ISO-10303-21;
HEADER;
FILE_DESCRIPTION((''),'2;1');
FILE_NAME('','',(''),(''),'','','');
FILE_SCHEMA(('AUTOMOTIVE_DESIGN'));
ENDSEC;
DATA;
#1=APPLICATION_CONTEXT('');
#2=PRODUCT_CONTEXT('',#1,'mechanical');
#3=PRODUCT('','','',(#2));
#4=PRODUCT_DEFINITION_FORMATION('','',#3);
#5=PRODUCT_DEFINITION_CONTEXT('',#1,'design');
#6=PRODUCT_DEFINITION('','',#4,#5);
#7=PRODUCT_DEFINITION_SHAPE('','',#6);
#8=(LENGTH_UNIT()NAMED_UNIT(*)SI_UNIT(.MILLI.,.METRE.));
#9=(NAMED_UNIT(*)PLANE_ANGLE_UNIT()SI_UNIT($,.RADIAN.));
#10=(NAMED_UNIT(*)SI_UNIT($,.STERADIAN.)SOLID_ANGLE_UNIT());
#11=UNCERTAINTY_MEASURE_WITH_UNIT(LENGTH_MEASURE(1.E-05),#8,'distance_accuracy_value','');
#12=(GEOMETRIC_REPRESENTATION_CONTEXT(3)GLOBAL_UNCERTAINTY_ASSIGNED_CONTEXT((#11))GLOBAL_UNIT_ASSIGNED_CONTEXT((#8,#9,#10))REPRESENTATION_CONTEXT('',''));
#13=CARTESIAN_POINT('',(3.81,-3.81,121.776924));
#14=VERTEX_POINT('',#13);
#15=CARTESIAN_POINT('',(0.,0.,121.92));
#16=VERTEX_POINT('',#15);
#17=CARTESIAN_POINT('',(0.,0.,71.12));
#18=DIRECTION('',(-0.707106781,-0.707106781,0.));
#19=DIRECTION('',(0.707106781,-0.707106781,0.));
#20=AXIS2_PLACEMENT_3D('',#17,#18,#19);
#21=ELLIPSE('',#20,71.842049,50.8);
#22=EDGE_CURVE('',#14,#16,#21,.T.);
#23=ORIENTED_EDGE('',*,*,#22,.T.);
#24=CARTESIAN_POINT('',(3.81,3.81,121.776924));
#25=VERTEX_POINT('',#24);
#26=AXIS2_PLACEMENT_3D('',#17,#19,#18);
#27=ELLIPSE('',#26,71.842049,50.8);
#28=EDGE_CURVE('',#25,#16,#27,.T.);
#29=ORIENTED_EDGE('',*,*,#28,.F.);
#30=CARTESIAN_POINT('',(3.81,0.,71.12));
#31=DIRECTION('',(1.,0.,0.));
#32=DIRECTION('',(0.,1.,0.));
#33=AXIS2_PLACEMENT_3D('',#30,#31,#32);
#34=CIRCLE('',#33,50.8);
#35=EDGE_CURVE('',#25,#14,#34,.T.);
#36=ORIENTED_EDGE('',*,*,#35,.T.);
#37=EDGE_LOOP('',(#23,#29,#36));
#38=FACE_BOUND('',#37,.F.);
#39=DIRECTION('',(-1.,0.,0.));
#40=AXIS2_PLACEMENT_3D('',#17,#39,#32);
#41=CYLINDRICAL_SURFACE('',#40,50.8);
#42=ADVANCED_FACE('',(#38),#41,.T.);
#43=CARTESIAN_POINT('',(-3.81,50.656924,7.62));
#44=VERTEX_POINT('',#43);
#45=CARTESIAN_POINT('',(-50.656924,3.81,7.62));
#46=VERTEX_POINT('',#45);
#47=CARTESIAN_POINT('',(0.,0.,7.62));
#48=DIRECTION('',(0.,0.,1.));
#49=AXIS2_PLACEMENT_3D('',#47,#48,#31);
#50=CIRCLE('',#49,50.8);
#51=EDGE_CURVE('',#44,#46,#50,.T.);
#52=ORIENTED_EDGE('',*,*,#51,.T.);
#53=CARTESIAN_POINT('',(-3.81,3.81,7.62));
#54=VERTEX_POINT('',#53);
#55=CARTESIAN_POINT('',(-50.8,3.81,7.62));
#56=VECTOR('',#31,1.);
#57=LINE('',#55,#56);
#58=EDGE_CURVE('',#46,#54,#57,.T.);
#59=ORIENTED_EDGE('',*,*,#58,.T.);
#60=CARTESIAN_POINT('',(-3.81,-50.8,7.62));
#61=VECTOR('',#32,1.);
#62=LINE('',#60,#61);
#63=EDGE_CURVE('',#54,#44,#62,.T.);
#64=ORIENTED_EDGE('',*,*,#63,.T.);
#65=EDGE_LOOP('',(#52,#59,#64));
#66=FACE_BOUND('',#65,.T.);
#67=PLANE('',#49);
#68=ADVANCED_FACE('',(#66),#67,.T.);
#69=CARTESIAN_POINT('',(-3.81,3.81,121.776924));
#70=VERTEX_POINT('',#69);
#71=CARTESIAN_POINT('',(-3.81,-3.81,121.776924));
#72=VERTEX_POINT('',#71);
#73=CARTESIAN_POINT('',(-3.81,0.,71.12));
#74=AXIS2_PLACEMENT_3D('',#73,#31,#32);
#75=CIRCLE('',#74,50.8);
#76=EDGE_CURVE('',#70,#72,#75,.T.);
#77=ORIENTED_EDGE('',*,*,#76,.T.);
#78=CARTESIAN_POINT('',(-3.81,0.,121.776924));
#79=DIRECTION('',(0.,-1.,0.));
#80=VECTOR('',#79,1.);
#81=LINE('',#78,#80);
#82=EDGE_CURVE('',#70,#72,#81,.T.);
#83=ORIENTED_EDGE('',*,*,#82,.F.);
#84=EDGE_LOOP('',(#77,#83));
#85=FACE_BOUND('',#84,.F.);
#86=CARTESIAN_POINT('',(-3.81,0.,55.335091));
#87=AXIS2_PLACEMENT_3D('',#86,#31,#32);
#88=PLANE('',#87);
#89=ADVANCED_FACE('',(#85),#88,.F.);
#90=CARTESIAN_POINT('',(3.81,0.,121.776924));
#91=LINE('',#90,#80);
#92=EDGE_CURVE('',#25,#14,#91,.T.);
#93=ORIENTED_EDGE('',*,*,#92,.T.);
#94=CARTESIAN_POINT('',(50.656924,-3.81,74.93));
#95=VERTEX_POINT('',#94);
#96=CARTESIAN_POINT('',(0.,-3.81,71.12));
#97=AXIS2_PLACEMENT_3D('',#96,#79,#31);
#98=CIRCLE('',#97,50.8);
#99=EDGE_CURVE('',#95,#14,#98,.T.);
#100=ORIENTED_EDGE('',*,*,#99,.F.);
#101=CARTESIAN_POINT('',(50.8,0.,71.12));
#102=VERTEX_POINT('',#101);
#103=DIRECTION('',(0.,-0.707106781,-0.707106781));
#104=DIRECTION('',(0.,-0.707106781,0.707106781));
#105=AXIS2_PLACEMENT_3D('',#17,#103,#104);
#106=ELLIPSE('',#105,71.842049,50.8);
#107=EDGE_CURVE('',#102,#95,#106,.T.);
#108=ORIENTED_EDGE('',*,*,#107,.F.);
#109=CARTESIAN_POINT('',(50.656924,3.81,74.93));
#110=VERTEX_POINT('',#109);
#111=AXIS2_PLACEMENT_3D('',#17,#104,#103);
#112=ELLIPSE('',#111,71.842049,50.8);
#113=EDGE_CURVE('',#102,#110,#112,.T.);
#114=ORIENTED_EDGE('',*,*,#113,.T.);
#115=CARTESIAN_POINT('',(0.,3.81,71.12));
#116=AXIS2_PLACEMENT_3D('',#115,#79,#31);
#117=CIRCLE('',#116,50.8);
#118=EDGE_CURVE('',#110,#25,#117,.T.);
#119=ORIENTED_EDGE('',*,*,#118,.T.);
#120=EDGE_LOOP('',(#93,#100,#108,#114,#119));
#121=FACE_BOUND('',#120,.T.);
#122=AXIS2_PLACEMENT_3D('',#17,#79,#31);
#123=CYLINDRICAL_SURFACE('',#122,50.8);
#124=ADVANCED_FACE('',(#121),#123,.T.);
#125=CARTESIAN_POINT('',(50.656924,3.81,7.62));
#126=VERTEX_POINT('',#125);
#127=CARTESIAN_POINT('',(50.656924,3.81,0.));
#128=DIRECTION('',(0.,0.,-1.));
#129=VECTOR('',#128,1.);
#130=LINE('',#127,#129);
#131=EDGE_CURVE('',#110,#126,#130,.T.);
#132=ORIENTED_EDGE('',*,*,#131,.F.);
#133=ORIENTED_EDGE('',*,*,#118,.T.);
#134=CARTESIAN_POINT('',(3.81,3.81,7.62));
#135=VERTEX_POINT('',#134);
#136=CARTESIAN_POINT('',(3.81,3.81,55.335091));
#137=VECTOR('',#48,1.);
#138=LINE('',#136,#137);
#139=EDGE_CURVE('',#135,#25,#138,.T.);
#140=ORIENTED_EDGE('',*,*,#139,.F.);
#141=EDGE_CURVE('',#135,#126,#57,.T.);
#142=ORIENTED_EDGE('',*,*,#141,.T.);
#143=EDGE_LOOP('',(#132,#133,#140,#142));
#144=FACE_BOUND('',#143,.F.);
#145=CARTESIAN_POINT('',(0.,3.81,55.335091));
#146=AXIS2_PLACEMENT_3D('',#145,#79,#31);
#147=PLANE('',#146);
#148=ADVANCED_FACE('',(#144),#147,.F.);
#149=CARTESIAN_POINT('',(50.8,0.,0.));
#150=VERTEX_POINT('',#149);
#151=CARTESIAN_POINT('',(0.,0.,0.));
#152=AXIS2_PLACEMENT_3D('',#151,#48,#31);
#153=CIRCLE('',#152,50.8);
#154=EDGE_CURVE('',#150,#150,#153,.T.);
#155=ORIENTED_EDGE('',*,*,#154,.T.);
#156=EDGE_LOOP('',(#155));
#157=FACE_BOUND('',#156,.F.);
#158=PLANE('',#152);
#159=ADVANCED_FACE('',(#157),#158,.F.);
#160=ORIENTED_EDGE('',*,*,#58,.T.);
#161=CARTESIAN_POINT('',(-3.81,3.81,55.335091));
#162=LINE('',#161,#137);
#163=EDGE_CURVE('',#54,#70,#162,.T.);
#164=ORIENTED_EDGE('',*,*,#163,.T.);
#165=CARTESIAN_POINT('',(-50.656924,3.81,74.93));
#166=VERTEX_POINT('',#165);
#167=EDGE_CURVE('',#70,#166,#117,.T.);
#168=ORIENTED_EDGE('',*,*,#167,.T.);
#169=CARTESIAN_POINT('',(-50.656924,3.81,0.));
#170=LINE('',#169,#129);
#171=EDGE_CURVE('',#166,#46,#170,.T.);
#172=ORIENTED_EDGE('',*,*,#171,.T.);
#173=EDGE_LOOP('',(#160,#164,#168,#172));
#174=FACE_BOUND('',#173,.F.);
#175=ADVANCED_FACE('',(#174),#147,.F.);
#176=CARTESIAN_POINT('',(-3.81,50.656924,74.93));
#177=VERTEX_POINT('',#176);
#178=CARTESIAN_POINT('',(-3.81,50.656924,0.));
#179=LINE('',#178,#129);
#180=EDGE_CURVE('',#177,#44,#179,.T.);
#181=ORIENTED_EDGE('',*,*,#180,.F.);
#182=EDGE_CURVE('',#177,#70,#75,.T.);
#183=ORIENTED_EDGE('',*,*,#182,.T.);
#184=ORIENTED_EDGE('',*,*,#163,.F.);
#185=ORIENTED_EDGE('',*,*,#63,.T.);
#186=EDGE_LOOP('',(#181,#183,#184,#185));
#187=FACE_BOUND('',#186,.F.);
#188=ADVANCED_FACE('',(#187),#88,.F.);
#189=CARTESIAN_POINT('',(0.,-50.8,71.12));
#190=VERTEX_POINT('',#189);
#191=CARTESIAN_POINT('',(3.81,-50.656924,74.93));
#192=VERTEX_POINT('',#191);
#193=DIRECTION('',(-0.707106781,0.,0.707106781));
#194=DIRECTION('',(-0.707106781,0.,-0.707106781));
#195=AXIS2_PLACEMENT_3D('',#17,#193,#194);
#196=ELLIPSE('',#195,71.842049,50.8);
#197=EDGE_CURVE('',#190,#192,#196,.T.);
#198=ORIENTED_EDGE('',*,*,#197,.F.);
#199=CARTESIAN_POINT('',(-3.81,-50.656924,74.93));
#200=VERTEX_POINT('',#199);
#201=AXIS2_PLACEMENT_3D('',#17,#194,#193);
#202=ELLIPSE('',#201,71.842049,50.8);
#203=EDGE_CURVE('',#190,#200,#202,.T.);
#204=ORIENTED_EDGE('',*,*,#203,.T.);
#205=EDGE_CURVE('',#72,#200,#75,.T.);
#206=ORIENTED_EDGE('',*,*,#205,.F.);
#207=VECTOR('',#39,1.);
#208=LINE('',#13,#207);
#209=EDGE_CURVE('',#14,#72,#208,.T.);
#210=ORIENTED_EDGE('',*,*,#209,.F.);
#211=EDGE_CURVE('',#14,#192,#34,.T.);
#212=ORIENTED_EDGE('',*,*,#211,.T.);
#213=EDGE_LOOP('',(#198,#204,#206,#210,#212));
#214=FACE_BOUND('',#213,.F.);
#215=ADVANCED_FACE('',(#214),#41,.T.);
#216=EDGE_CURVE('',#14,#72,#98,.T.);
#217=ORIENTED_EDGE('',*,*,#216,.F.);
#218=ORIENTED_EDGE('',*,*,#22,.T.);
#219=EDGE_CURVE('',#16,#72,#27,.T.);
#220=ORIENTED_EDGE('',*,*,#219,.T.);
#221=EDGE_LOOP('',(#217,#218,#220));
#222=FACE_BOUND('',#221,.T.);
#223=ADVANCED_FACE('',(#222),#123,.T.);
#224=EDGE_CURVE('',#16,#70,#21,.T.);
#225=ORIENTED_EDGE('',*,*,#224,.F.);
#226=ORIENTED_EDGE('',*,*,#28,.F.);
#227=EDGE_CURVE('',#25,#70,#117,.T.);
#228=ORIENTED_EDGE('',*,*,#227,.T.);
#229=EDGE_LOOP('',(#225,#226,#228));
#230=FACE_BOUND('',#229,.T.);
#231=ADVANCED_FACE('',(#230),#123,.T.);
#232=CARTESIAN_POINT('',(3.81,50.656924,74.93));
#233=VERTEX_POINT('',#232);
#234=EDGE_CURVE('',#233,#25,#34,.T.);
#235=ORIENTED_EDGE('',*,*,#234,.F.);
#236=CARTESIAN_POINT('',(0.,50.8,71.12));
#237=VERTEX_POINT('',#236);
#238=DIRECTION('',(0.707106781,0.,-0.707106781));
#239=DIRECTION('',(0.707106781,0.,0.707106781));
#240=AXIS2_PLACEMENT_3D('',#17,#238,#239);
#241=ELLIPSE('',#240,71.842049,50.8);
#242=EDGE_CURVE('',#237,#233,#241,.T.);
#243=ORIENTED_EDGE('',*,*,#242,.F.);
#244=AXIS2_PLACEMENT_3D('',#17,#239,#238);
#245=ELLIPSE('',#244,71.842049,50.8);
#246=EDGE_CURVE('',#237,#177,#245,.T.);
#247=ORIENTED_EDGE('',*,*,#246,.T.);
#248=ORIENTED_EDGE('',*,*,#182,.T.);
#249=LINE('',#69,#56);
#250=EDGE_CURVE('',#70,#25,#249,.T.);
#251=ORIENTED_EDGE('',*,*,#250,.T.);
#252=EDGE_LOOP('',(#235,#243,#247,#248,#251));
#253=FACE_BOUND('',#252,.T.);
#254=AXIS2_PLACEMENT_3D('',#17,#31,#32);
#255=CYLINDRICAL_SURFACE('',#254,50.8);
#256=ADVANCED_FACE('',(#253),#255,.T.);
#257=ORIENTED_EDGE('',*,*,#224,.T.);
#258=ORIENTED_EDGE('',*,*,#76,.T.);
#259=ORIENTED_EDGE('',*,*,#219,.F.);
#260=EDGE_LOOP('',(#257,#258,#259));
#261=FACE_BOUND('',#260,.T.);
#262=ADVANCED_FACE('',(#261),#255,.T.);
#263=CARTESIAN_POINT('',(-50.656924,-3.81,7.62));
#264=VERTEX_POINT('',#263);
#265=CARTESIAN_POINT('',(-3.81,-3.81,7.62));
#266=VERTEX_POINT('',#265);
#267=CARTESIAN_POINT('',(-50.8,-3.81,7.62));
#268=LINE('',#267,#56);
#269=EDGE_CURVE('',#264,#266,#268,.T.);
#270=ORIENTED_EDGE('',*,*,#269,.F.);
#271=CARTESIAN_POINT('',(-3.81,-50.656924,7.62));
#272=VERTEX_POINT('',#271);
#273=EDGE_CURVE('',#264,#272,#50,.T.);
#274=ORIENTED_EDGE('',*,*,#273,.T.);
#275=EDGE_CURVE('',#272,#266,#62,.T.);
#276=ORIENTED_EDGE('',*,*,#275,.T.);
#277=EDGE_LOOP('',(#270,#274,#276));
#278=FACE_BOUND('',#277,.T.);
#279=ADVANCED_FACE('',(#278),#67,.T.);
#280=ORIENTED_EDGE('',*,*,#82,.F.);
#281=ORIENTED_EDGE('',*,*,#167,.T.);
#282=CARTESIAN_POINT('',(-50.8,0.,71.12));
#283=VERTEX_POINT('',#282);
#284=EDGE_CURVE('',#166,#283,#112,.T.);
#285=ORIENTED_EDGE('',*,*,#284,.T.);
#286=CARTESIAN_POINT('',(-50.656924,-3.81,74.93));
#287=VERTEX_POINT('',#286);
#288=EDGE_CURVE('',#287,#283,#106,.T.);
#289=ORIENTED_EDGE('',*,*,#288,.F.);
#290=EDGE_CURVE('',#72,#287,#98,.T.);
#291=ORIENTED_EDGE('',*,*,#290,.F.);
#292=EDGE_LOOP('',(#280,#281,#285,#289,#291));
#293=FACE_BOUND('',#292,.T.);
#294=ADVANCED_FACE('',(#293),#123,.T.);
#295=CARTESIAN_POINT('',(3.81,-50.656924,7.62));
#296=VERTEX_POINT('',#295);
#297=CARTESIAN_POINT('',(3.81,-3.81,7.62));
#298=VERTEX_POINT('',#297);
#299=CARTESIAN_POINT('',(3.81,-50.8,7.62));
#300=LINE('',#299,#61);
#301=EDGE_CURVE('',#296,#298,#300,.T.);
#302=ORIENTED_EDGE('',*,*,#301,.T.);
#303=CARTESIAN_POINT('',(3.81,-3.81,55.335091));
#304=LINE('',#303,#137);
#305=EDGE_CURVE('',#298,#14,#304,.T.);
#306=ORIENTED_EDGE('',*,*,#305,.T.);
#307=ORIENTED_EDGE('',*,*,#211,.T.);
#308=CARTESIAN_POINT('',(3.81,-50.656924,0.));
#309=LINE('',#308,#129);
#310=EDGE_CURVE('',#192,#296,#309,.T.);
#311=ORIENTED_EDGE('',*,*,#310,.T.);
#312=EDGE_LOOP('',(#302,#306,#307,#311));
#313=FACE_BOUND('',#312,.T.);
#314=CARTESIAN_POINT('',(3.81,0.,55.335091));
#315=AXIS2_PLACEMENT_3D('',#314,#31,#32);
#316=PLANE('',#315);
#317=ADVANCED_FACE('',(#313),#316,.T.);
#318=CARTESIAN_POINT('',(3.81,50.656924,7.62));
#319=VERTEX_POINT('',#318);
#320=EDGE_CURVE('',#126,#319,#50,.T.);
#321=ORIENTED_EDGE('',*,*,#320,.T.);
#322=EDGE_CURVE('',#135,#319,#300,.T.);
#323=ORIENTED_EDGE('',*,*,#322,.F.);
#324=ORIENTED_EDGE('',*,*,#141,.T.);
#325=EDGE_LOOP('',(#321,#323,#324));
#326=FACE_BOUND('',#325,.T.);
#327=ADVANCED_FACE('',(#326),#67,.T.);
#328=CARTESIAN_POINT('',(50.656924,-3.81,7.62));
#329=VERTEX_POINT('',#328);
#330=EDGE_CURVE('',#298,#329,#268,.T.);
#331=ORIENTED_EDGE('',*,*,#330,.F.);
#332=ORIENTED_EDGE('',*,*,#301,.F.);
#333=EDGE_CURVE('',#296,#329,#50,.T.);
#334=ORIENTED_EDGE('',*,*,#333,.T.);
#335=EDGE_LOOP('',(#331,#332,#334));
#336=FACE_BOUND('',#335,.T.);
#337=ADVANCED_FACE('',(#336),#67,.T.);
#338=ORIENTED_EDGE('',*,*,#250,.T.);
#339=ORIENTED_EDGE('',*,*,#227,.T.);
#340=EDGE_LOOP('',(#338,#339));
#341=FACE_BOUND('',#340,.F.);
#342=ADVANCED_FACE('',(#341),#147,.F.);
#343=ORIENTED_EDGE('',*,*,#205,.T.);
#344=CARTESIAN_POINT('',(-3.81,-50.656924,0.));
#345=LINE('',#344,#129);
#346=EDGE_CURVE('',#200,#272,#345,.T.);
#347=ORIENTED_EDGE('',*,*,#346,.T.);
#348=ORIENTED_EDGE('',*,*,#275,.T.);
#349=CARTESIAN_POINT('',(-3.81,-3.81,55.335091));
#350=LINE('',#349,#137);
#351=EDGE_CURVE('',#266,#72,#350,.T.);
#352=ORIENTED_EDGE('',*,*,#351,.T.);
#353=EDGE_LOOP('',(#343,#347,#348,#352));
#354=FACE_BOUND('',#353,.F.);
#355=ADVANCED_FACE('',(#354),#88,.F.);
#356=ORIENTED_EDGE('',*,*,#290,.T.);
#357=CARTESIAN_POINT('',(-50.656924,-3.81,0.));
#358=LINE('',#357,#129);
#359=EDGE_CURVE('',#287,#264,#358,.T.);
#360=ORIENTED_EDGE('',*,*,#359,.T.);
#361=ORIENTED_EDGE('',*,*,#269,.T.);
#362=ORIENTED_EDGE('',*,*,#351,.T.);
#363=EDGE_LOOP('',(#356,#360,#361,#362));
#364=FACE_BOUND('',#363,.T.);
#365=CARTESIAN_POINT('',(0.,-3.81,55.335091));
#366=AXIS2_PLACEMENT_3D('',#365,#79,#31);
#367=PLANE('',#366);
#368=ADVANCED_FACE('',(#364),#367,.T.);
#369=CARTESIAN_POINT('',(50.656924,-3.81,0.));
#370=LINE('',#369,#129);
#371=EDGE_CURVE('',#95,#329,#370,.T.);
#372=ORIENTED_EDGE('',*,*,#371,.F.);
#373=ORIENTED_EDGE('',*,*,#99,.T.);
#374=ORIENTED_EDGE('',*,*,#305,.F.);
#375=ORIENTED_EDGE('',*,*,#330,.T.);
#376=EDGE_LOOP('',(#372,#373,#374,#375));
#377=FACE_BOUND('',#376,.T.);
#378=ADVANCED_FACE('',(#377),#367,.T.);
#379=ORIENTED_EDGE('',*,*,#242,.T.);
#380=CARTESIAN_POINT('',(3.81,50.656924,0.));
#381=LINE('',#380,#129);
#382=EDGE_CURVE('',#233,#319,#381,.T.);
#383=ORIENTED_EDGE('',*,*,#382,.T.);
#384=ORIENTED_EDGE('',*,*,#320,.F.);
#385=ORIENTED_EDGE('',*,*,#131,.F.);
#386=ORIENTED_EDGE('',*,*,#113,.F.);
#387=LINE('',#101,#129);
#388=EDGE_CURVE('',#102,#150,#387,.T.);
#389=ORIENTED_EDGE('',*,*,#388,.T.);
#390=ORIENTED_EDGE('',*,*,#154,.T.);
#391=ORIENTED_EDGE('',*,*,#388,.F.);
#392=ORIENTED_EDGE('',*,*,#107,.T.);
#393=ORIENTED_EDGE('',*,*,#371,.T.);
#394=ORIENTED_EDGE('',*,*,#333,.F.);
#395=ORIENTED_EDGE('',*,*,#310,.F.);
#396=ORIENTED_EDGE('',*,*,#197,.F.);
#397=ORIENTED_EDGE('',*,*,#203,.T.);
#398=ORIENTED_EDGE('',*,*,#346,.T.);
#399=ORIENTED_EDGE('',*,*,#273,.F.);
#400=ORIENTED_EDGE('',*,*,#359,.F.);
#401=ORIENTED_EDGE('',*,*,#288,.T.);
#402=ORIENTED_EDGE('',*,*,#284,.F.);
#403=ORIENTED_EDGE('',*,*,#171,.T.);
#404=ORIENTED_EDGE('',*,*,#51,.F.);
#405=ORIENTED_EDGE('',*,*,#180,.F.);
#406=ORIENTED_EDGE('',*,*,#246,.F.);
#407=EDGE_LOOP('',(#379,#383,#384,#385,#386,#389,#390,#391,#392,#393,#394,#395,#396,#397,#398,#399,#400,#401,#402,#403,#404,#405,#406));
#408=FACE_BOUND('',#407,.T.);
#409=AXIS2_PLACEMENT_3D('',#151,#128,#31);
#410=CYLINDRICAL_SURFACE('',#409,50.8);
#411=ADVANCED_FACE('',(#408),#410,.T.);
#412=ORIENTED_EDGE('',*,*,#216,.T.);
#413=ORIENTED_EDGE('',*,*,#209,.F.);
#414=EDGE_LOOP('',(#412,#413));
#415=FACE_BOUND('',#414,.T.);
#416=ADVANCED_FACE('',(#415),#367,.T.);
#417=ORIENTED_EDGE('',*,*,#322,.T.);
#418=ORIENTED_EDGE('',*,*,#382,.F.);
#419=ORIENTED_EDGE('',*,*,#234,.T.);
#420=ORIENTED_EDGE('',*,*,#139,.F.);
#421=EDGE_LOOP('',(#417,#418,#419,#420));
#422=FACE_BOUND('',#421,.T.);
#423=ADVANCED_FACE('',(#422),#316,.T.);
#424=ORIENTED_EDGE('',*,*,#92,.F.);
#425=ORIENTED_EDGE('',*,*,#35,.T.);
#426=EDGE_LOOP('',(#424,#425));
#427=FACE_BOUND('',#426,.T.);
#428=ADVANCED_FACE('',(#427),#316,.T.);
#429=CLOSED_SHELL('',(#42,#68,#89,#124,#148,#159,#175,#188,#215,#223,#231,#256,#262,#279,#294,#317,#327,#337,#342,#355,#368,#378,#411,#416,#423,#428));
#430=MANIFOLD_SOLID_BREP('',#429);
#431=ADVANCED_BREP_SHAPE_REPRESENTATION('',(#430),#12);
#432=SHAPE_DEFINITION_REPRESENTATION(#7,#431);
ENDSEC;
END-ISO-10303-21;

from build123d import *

# Parameters (mm, degrees)
F0_R          = 50.8
F1_DEPTH      = 7.62
F3_DEPTH      = 3.81
F3_DEPTH_BACK = 3.81
F5_DEPTH      = 3.81
F5_DEPTH_BACK = 3.81
F6_R          = 73.848942
F6_R_2        = 50.8
F7_DEPTH      = 127


with BuildPart() as f1:
    # F0 (on Top) → F1 (new body)
    with BuildSketch(Plane.XY):
        Circle(F0_R)
    extrude(amount=F1_DEPTH)

    # F2 (on Front) → F3 (join, two sides)
    with BuildSketch(Plane.XZ) as f3_sk:
        with BuildLine():
            Line((50.8, 7.62), (50.8, 71.12))
            ThreePointArc((50.8, 71.12), (0, 121.92), (-50.8, 71.12))
            Line((-50.8, 71.12), (-50.8, 7.62))
            Line((-50.8, 7.62), (50.8, 7.62))
        make_face()
    extrude(amount=F3_DEPTH)
    extrude(f3_sk.sketch, amount=-F3_DEPTH_BACK)

    # F4 (on Right) → F5 (join, two sides)
    with BuildSketch(Plane.YZ) as f5_sk:
        with BuildLine():
            Line((50.8, 7.62), (50.8, 71.12))
            ThreePointArc((50.8, 71.12), (0, 121.92), (-50.8, 71.12))
            Line((-50.8, 71.12), (-50.8, 7.62))
            Line((-50.8, 7.62), (50.8, 7.62))
        make_face()
    extrude(amount=F5_DEPTH)
    extrude(f5_sk.sketch, amount=-F5_DEPTH_BACK)

    # F6 (on face) → F7 (cut)
    with BuildSketch(Plane(origin=(0, 0, 0), x_dir=(1, 0, 0), z_dir=(0, 0, -1))):
        Circle(F6_R)
        Circle(F6_R_2, mode=Mode.SUBTRACT)
    extrude(amount=-F7_DEPTH, mode=Mode.SUBTRACT)


solid = f1.part
